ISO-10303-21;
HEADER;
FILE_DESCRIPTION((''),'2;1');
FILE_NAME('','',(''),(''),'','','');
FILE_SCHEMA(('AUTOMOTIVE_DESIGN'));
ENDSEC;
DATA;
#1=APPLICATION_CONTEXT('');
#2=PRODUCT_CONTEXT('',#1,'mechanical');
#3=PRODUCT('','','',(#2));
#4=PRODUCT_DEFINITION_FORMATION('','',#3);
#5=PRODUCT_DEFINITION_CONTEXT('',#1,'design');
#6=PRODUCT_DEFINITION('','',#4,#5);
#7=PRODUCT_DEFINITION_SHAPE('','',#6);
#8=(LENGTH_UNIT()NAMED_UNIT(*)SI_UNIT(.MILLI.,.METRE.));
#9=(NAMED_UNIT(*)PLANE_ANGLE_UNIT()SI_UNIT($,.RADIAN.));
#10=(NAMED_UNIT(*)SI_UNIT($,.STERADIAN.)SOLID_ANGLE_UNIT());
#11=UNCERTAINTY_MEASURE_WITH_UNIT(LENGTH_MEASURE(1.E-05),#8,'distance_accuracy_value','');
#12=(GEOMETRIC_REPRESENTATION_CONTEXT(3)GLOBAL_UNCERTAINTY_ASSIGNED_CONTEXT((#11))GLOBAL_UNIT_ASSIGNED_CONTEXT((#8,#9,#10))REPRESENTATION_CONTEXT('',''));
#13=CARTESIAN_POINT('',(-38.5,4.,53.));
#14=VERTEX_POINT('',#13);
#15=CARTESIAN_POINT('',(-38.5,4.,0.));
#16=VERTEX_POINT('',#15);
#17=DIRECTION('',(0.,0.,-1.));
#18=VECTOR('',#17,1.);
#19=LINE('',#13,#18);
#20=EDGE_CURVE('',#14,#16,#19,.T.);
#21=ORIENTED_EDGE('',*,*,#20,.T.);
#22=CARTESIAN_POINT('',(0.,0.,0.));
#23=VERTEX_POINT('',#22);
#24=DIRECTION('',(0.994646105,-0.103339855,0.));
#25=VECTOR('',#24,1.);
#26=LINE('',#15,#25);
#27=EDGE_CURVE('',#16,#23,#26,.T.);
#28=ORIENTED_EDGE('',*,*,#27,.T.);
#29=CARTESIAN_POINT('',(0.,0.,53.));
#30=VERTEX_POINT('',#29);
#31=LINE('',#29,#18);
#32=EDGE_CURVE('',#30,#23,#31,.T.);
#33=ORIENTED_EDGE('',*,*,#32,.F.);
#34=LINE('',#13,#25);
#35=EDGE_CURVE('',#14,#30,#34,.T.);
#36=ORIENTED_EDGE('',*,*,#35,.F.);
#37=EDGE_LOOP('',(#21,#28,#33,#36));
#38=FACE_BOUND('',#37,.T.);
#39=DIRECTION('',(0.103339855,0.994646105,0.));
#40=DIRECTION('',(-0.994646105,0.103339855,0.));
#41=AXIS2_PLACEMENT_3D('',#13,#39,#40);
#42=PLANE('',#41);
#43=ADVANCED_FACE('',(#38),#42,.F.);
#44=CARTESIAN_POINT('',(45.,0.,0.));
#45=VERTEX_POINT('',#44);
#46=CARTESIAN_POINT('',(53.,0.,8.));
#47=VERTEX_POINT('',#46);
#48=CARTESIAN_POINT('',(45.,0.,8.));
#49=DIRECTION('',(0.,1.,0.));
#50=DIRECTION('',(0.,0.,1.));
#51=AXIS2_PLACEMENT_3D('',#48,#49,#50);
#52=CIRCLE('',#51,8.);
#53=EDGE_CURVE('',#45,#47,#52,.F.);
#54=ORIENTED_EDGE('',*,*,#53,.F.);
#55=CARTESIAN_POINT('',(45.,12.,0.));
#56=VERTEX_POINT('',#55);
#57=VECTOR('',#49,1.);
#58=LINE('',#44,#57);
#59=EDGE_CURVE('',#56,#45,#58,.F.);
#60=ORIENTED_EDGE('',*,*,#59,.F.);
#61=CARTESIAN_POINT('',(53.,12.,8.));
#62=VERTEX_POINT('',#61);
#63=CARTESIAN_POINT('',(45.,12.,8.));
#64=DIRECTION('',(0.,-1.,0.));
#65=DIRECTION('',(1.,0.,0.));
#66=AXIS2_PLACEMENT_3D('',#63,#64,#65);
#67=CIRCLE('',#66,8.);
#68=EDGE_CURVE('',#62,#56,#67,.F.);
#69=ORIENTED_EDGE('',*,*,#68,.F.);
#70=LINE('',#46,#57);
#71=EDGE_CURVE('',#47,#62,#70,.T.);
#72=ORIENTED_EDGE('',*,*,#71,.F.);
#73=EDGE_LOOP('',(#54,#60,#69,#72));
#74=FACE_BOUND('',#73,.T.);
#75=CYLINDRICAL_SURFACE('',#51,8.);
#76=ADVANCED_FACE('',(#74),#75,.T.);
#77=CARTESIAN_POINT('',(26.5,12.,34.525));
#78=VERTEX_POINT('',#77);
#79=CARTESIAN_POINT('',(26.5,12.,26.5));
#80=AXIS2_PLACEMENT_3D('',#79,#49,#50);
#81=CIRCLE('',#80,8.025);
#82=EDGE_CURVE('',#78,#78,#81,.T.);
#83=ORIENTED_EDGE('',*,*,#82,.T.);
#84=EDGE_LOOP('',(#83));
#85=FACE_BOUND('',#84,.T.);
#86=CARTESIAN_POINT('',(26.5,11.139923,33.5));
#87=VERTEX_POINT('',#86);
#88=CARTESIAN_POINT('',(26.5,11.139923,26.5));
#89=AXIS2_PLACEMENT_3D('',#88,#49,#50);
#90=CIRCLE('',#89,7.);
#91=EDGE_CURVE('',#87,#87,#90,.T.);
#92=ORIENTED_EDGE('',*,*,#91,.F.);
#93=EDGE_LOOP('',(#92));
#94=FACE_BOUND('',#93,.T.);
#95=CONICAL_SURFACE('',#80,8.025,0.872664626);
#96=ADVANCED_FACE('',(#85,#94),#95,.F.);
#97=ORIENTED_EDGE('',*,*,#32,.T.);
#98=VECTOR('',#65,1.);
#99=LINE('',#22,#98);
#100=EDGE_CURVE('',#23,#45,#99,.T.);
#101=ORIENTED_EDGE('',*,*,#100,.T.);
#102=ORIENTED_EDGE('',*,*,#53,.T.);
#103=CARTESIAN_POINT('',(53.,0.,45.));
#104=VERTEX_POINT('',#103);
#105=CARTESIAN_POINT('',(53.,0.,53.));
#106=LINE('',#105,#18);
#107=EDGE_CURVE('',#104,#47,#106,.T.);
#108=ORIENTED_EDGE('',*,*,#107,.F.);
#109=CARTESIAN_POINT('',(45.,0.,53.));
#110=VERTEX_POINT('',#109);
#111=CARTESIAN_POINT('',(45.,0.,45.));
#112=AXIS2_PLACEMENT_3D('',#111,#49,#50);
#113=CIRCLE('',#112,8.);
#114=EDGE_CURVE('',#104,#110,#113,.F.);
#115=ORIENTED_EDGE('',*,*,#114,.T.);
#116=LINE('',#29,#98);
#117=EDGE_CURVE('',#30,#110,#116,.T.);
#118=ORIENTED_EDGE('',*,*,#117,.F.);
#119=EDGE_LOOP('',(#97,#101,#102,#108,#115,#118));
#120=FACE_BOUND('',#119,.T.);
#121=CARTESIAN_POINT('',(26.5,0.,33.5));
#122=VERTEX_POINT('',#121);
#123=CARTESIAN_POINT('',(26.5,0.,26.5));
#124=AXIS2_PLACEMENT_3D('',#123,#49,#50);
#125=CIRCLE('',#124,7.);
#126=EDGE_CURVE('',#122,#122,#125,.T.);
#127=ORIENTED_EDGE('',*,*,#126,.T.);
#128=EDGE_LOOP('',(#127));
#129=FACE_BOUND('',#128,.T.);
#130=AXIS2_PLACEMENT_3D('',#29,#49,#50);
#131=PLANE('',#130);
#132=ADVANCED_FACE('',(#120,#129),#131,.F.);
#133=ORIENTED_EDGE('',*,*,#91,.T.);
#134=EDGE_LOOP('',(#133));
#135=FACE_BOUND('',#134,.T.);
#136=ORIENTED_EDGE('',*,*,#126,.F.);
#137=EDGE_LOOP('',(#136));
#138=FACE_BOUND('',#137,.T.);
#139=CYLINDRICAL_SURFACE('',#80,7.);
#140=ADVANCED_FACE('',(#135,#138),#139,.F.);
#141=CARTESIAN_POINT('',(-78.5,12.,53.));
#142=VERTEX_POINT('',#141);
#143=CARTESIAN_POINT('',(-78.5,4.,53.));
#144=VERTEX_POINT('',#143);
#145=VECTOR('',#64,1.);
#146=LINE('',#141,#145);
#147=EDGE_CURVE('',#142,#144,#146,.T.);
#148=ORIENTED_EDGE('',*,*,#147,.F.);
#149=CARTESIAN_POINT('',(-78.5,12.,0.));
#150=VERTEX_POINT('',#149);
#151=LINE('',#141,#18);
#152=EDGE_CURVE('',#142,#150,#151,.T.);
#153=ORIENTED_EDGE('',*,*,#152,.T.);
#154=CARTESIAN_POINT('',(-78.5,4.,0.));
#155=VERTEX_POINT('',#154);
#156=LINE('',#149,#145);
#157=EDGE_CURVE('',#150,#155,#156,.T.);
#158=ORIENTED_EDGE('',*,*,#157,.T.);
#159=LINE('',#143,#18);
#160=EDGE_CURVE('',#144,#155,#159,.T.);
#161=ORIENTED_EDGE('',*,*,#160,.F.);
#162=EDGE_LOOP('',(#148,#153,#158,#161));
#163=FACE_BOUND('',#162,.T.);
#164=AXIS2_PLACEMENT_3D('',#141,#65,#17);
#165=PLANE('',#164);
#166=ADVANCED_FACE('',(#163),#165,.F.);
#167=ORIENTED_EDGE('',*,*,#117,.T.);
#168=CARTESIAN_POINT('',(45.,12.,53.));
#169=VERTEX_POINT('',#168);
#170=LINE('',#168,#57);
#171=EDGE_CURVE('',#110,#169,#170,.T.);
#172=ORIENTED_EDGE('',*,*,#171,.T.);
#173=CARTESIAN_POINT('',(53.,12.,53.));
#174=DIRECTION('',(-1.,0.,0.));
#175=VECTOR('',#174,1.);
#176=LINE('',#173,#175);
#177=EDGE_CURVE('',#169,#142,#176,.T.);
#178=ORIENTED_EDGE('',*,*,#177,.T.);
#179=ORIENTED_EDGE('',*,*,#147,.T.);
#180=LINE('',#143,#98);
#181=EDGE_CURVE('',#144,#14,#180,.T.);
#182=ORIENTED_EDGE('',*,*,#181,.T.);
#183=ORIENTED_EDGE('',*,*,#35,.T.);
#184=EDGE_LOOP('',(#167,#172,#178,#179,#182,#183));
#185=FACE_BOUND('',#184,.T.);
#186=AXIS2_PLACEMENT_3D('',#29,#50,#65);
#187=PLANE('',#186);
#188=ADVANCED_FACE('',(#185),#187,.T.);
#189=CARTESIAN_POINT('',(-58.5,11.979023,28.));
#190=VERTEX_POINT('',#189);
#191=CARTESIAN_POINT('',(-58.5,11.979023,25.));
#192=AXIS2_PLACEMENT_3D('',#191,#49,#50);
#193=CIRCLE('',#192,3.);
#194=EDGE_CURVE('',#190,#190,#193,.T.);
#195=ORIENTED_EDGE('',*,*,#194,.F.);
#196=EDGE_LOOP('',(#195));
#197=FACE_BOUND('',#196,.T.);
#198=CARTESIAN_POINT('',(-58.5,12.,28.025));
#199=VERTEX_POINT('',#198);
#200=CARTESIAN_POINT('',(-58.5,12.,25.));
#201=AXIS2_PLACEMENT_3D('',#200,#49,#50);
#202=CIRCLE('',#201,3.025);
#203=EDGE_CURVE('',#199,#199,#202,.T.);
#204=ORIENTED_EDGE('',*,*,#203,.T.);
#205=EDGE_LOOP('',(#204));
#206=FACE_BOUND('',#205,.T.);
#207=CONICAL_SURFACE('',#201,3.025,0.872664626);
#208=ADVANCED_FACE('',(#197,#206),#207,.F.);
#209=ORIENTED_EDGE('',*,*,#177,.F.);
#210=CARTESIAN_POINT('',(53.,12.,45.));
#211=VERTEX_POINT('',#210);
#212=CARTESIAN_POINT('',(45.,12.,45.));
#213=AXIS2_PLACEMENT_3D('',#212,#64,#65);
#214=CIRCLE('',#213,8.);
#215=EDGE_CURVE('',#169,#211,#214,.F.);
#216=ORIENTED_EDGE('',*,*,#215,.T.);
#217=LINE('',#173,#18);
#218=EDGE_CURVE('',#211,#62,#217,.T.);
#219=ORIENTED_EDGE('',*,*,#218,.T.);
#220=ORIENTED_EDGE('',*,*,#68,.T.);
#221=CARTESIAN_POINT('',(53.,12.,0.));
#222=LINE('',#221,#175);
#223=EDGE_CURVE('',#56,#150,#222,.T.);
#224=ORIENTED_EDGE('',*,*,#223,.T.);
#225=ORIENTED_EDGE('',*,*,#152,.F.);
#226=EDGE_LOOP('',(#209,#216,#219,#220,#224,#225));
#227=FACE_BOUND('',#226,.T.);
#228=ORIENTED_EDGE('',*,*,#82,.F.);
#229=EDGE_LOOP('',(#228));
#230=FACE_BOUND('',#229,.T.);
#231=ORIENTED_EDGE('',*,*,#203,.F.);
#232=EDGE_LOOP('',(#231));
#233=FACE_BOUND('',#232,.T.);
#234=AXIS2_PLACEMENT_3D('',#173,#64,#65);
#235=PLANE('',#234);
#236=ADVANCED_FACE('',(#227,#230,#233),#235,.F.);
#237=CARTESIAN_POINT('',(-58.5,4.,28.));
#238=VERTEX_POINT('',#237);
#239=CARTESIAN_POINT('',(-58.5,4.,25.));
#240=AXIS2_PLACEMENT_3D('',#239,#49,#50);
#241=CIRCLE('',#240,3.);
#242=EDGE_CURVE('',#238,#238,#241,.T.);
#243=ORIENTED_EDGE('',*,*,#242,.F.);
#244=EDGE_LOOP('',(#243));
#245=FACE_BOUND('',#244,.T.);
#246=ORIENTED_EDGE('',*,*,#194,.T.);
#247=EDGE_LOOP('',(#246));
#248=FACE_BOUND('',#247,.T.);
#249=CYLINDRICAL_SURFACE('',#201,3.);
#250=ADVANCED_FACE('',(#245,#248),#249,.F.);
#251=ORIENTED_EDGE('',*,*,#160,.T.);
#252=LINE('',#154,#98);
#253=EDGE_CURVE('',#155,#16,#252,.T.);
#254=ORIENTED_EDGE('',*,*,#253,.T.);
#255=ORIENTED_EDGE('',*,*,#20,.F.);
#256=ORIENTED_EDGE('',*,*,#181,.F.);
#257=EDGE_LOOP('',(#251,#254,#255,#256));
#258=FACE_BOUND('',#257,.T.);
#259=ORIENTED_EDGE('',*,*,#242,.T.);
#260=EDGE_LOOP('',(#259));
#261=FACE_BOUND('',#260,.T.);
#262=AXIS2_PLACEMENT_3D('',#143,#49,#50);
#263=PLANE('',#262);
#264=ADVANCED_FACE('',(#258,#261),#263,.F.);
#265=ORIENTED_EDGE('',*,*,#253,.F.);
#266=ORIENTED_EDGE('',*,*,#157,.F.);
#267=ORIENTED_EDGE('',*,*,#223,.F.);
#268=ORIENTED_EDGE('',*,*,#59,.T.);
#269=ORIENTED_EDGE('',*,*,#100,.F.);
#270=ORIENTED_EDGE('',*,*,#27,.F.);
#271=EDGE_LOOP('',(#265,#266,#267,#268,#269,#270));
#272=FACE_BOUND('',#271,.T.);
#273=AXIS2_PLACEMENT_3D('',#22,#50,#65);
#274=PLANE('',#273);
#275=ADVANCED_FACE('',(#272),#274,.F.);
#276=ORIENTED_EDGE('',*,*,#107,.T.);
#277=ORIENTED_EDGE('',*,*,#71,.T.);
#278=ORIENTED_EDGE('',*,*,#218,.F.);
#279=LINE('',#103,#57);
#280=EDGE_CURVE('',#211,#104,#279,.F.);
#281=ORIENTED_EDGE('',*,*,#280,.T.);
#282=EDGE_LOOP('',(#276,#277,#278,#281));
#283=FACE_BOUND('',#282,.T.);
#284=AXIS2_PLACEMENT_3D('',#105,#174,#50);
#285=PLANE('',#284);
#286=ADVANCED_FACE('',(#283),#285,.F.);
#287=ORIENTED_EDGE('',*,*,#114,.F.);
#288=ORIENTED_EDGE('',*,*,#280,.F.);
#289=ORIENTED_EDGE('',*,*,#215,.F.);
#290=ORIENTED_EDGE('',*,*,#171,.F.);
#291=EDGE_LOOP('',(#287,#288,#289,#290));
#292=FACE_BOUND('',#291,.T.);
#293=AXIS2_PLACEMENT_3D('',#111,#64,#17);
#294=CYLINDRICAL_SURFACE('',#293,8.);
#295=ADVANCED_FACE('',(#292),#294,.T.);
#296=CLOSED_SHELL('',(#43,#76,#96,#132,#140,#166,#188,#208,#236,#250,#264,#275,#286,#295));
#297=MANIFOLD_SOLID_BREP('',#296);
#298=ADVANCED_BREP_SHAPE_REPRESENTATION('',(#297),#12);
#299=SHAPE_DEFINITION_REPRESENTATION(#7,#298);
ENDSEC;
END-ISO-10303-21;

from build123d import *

# Parameters (mm, degrees)
EXTRUDE_1_DEPTH        = 53
FILLET_1_R             = 8
F_16_0MM_1_D           = 14
F_16_0MM_1_CSINK_D     = 16.05
F_16_0MM_1_CSINK_ANGLE = 100
F_6_0MM_1_D            = 6
F_6_0MM_1_CSINK_D      = 6.05
F_6_0MM_1_CSINK_ANGLE  = 100
FILLET_4_R             = 8


with BuildPart() as part:
    # 草图2 → 凸台-拉伸1 (new body)
    with BuildSketch(Plane.XY):
        Polygon((0, 0), (53, 0), (53, 12), (-78.5, 12), (-78.5, 4), (-38.5, 4), align=None)
    extrude(amount=EXTRUDE_1_DEPTH)

    # 圆角1
    fillet_1_edges = [part.edges().sort_by_distance(p)[0] for p in [
        (53, 6, 0),
    ]]
    fillet(fillet_1_edges, radius=FILLET_1_R)

    # Ø16.0mm 暗销孔1 (through all)
    with Locations(Plane(origin=(0, 12, 0), x_dir=(1, 0, 0), z_dir=(0, 1, 0))):
        with Locations((26.5, -26.5)):
            CounterSinkHole(F_16_0MM_1_D / 2, F_16_0MM_1_CSINK_D / 2, counter_sink_angle=F_16_0MM_1_CSINK_ANGLE)

    # Ø6.0mm 暗销孔1 (through all)
    with Locations(Plane(origin=(0, 12, 0), x_dir=(1, 0, 0), z_dir=(0, 1, 0))):
        with Locations((-58.5, -25)):
            CounterSinkHole(F_6_0MM_1_D / 2, F_6_0MM_1_CSINK_D / 2, counter_sink_angle=F_6_0MM_1_CSINK_ANGLE)

    # 圆角4
    fillet_4_edges = [part.edges().sort_by_distance(p)[0] for p in [
        (53, 6, 53),
    ]]
    fillet(fillet_4_edges, radius=FILLET_4_R)


solid = part.part
